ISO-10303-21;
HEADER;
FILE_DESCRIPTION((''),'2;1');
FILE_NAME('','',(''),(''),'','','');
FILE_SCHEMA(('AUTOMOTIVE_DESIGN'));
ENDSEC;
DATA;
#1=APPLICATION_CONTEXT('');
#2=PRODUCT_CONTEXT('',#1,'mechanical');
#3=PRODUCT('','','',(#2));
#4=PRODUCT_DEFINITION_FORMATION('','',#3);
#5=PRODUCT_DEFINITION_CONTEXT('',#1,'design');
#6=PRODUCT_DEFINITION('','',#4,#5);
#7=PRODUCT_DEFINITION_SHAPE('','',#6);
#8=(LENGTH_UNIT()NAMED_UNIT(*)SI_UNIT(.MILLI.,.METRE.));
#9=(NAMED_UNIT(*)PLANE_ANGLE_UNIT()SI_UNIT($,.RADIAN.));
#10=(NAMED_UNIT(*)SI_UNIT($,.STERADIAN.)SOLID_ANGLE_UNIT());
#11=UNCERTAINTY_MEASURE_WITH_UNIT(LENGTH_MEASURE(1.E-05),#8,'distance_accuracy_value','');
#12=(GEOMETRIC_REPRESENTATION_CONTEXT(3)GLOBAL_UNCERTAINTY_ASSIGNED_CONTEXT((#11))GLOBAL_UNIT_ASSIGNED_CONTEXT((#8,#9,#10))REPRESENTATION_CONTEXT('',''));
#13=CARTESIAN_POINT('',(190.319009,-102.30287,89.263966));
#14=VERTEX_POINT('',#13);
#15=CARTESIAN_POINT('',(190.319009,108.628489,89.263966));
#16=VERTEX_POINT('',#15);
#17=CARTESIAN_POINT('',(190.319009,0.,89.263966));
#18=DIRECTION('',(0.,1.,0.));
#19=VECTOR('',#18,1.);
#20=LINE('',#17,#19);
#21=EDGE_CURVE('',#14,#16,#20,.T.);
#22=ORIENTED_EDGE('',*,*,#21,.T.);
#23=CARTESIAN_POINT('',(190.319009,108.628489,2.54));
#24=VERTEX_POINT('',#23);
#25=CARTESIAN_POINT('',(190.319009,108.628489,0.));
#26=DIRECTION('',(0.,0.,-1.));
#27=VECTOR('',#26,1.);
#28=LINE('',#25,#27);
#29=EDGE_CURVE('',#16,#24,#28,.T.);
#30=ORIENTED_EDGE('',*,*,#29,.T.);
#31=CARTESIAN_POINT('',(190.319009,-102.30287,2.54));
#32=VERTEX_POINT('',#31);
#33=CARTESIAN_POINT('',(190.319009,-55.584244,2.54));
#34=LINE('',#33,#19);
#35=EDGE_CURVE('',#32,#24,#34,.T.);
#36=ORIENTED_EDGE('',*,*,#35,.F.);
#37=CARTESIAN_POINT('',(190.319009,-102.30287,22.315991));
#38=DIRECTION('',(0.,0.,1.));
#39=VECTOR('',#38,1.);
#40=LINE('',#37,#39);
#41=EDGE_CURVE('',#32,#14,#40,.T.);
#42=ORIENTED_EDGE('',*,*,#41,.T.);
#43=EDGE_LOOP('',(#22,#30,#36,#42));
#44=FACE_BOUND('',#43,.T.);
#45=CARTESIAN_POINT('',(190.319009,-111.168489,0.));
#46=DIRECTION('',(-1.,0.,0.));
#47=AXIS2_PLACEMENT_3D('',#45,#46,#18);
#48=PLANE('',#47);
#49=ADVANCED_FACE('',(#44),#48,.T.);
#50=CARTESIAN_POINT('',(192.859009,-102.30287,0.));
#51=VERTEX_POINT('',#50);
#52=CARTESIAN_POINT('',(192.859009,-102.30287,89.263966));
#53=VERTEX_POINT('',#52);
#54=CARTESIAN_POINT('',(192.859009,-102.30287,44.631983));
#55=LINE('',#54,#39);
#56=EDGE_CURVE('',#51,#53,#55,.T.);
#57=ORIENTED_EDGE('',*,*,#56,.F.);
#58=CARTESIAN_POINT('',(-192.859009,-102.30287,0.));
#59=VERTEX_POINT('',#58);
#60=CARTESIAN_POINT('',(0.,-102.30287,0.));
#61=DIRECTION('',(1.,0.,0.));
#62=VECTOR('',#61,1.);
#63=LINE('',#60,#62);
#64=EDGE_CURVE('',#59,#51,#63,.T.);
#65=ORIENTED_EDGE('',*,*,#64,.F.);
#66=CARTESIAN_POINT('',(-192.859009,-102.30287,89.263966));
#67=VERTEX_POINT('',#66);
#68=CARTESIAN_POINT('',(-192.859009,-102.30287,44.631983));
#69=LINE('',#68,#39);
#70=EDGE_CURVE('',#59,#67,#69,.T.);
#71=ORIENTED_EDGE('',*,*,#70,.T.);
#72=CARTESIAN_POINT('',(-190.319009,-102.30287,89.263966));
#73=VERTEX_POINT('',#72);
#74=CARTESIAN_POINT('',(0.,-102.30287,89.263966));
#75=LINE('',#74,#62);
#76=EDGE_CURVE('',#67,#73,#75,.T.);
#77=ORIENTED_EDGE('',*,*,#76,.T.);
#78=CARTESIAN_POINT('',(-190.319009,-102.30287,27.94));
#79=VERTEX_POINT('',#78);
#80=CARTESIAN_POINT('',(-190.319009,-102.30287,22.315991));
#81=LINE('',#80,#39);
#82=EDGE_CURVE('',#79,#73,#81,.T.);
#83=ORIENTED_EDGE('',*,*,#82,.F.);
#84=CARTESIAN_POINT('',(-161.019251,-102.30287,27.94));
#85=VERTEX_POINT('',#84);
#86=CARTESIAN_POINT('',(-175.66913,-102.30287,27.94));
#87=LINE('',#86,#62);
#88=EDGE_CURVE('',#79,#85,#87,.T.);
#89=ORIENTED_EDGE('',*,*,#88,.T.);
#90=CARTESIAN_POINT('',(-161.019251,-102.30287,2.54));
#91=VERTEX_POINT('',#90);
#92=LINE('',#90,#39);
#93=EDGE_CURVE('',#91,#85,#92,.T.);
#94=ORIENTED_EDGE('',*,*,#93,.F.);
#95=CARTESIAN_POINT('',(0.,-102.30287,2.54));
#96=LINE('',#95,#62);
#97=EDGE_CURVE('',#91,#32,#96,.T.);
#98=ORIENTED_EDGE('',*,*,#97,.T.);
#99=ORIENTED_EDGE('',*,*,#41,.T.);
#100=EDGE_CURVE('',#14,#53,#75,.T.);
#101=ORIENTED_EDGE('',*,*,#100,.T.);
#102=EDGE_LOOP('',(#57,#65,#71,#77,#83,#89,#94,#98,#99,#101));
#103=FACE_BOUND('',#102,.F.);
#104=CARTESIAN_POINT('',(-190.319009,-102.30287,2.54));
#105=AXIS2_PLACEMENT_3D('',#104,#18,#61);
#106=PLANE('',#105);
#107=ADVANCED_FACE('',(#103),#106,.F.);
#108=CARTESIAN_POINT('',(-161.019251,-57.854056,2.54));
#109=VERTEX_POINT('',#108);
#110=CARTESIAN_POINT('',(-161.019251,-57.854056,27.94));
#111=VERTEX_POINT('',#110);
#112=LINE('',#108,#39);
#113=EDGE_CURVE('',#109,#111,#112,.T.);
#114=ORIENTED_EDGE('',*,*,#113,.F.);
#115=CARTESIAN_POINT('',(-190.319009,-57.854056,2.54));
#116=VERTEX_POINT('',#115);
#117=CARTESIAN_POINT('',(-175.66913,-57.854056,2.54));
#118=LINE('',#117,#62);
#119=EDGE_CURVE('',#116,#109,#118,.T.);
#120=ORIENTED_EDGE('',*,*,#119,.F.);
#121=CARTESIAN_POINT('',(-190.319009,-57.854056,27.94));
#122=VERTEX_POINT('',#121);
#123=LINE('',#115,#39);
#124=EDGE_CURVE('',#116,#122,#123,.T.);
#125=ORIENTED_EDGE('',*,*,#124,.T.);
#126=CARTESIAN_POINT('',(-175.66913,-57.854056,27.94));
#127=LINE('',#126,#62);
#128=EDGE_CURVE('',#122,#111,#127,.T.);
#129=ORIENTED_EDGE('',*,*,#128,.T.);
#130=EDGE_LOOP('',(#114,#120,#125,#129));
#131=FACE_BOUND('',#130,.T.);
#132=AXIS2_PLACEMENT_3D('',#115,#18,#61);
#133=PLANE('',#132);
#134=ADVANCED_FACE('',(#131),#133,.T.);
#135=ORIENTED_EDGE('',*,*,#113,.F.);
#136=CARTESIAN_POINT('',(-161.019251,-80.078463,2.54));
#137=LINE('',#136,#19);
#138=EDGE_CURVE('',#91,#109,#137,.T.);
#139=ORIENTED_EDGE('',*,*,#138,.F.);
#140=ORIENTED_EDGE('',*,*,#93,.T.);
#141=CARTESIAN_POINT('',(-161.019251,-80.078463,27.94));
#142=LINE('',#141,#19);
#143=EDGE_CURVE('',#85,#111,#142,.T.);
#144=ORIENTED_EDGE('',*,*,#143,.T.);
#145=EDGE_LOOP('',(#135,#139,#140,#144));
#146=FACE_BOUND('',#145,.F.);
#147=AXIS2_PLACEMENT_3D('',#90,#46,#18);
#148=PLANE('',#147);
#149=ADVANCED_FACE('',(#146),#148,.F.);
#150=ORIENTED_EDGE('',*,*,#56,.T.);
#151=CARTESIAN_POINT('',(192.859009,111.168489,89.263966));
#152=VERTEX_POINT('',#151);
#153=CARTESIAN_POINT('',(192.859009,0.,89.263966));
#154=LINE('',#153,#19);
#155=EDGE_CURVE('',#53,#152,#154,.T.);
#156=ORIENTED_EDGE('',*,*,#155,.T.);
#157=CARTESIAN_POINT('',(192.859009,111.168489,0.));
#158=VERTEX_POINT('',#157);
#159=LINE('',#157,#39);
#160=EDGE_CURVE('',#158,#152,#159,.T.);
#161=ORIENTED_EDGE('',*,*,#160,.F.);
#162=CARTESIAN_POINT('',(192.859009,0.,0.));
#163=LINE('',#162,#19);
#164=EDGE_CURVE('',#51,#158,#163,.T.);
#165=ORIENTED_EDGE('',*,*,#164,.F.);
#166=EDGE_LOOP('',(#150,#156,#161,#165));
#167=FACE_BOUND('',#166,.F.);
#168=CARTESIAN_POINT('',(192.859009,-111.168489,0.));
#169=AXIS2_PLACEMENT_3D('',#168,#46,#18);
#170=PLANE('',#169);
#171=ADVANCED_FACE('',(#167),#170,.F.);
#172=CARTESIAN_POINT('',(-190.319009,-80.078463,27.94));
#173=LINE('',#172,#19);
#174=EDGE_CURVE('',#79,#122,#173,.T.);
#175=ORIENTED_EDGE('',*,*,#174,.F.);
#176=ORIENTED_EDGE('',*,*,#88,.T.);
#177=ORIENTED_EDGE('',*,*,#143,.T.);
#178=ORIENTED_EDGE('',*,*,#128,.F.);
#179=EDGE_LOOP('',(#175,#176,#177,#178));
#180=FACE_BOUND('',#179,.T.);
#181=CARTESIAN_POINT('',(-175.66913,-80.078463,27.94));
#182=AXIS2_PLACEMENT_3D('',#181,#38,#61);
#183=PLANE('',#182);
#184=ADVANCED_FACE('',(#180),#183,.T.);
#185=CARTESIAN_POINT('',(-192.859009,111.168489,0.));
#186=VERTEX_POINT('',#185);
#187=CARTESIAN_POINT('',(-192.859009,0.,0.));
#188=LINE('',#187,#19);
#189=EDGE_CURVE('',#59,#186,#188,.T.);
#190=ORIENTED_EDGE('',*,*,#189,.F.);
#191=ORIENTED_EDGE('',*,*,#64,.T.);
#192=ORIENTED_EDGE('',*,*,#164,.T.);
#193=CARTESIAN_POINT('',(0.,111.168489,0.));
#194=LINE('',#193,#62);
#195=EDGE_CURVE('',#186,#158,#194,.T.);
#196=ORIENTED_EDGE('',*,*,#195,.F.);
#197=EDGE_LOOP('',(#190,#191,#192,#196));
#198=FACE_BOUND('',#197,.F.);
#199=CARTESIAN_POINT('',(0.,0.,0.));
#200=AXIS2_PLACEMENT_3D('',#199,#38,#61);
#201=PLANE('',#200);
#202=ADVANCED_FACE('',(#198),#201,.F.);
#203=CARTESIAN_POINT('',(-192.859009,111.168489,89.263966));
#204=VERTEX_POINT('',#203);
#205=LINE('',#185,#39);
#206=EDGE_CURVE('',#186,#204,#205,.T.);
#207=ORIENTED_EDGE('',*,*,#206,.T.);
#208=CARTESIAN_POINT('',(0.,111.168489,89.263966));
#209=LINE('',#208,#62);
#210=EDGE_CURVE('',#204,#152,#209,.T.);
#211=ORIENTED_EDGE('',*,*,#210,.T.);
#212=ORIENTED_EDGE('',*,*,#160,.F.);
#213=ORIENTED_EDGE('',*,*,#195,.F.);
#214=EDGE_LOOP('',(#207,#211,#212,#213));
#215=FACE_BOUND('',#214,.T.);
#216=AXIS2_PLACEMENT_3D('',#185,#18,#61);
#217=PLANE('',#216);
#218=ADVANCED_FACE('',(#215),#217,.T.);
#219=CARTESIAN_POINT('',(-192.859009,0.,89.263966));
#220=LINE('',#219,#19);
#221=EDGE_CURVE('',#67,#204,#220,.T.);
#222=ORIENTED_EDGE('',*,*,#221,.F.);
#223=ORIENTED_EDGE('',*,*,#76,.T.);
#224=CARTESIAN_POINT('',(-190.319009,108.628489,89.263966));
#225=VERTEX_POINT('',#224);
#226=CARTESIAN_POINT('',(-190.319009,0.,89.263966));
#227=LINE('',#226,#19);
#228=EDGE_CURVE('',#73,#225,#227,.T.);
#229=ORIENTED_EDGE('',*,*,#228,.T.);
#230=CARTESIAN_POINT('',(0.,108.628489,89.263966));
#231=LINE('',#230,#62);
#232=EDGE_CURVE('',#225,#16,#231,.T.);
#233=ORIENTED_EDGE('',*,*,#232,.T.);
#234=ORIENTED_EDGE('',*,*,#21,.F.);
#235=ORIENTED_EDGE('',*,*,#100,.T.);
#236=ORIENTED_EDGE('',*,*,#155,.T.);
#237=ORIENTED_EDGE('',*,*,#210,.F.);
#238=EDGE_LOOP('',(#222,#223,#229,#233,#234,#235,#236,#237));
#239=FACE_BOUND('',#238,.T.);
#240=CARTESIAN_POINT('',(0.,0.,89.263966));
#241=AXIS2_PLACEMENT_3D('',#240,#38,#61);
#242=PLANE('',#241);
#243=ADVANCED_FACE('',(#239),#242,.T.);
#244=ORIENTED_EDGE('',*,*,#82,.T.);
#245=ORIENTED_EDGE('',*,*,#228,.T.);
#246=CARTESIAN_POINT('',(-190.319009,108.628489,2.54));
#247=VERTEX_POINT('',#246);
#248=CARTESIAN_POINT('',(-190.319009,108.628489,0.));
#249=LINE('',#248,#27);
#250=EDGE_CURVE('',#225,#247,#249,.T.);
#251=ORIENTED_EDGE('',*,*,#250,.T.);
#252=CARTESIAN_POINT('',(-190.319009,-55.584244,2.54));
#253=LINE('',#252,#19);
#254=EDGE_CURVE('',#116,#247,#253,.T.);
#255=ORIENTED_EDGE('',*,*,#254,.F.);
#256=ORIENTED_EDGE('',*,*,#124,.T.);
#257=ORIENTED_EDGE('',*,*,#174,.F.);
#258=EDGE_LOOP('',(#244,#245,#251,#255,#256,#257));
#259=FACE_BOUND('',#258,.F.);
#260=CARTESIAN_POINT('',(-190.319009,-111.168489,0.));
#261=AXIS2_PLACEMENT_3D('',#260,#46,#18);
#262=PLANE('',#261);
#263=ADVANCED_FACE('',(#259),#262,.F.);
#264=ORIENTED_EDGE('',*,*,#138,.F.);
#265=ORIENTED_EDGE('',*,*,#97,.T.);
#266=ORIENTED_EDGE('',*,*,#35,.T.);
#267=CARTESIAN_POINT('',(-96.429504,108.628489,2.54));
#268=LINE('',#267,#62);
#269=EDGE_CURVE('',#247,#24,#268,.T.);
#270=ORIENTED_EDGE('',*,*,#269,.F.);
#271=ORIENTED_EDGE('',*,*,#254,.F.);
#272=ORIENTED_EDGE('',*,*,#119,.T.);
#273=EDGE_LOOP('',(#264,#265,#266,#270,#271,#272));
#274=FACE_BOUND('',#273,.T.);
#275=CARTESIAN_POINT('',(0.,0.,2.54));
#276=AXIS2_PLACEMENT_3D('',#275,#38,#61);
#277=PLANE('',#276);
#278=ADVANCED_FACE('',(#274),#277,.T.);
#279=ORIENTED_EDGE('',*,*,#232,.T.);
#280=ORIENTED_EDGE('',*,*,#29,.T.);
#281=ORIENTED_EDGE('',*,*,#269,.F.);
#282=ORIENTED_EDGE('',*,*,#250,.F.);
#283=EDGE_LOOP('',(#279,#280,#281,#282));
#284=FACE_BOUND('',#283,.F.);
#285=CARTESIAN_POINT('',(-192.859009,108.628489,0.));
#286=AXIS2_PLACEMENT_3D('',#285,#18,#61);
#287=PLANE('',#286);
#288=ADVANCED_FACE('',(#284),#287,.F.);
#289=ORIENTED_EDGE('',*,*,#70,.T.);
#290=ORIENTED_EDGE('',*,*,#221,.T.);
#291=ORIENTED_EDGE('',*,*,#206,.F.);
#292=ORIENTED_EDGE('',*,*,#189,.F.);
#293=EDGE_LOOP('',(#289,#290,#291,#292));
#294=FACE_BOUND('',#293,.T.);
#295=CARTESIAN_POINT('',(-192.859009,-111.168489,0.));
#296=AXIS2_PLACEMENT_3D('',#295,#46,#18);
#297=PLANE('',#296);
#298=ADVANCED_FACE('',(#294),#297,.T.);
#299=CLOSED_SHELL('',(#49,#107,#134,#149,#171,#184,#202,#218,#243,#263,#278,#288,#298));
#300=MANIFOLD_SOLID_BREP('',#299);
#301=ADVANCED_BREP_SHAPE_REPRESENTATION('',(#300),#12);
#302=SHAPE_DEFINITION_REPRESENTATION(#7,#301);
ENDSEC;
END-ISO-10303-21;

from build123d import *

# Parameters (mm, degrees)
F0_W     = 385.718018
F0_H     = 222.336978
F1_DEPTH = 89.263966
F2_T     = -2.54
F3_W     = 385.718018
F3_H     = 89.263966
F4_DEPTH = 8.865619
F5_W     = 29.299758
F5_H     = 44.448814
F6_DEPTH = 25.4


with BuildPart() as f1:
    # F0 (on Top) → F1 (new body)
    with BuildSketch(Plane.XY):
        Rectangle(F0_W, F0_H)
    extrude(amount=F1_DEPTH)

    # F2
    f2_openings = [f1.faces().sort_by_distance(p)[0] for p in [
        (0, 0, 89.263966),
    ]]
    offset(amount=F2_T, openings=f2_openings)

    # F3 (on face) → F4 (cut)
    with BuildSketch(Plane.XZ.offset(111.168489)):
        with Locations((0, 44.631983)):
            Rectangle(F3_W, F3_H)
    extrude(amount=-F4_DEPTH, mode=Mode.SUBTRACT)

    # F5 (on face) → F6 (join)
    with BuildSketch(Plane.XY.offset(2.54)):
        with Locations((-175.66913, -80.078463)):
            Rectangle(F5_W, F5_H)
    extrude(amount=F6_DEPTH)


solid = f1.part
